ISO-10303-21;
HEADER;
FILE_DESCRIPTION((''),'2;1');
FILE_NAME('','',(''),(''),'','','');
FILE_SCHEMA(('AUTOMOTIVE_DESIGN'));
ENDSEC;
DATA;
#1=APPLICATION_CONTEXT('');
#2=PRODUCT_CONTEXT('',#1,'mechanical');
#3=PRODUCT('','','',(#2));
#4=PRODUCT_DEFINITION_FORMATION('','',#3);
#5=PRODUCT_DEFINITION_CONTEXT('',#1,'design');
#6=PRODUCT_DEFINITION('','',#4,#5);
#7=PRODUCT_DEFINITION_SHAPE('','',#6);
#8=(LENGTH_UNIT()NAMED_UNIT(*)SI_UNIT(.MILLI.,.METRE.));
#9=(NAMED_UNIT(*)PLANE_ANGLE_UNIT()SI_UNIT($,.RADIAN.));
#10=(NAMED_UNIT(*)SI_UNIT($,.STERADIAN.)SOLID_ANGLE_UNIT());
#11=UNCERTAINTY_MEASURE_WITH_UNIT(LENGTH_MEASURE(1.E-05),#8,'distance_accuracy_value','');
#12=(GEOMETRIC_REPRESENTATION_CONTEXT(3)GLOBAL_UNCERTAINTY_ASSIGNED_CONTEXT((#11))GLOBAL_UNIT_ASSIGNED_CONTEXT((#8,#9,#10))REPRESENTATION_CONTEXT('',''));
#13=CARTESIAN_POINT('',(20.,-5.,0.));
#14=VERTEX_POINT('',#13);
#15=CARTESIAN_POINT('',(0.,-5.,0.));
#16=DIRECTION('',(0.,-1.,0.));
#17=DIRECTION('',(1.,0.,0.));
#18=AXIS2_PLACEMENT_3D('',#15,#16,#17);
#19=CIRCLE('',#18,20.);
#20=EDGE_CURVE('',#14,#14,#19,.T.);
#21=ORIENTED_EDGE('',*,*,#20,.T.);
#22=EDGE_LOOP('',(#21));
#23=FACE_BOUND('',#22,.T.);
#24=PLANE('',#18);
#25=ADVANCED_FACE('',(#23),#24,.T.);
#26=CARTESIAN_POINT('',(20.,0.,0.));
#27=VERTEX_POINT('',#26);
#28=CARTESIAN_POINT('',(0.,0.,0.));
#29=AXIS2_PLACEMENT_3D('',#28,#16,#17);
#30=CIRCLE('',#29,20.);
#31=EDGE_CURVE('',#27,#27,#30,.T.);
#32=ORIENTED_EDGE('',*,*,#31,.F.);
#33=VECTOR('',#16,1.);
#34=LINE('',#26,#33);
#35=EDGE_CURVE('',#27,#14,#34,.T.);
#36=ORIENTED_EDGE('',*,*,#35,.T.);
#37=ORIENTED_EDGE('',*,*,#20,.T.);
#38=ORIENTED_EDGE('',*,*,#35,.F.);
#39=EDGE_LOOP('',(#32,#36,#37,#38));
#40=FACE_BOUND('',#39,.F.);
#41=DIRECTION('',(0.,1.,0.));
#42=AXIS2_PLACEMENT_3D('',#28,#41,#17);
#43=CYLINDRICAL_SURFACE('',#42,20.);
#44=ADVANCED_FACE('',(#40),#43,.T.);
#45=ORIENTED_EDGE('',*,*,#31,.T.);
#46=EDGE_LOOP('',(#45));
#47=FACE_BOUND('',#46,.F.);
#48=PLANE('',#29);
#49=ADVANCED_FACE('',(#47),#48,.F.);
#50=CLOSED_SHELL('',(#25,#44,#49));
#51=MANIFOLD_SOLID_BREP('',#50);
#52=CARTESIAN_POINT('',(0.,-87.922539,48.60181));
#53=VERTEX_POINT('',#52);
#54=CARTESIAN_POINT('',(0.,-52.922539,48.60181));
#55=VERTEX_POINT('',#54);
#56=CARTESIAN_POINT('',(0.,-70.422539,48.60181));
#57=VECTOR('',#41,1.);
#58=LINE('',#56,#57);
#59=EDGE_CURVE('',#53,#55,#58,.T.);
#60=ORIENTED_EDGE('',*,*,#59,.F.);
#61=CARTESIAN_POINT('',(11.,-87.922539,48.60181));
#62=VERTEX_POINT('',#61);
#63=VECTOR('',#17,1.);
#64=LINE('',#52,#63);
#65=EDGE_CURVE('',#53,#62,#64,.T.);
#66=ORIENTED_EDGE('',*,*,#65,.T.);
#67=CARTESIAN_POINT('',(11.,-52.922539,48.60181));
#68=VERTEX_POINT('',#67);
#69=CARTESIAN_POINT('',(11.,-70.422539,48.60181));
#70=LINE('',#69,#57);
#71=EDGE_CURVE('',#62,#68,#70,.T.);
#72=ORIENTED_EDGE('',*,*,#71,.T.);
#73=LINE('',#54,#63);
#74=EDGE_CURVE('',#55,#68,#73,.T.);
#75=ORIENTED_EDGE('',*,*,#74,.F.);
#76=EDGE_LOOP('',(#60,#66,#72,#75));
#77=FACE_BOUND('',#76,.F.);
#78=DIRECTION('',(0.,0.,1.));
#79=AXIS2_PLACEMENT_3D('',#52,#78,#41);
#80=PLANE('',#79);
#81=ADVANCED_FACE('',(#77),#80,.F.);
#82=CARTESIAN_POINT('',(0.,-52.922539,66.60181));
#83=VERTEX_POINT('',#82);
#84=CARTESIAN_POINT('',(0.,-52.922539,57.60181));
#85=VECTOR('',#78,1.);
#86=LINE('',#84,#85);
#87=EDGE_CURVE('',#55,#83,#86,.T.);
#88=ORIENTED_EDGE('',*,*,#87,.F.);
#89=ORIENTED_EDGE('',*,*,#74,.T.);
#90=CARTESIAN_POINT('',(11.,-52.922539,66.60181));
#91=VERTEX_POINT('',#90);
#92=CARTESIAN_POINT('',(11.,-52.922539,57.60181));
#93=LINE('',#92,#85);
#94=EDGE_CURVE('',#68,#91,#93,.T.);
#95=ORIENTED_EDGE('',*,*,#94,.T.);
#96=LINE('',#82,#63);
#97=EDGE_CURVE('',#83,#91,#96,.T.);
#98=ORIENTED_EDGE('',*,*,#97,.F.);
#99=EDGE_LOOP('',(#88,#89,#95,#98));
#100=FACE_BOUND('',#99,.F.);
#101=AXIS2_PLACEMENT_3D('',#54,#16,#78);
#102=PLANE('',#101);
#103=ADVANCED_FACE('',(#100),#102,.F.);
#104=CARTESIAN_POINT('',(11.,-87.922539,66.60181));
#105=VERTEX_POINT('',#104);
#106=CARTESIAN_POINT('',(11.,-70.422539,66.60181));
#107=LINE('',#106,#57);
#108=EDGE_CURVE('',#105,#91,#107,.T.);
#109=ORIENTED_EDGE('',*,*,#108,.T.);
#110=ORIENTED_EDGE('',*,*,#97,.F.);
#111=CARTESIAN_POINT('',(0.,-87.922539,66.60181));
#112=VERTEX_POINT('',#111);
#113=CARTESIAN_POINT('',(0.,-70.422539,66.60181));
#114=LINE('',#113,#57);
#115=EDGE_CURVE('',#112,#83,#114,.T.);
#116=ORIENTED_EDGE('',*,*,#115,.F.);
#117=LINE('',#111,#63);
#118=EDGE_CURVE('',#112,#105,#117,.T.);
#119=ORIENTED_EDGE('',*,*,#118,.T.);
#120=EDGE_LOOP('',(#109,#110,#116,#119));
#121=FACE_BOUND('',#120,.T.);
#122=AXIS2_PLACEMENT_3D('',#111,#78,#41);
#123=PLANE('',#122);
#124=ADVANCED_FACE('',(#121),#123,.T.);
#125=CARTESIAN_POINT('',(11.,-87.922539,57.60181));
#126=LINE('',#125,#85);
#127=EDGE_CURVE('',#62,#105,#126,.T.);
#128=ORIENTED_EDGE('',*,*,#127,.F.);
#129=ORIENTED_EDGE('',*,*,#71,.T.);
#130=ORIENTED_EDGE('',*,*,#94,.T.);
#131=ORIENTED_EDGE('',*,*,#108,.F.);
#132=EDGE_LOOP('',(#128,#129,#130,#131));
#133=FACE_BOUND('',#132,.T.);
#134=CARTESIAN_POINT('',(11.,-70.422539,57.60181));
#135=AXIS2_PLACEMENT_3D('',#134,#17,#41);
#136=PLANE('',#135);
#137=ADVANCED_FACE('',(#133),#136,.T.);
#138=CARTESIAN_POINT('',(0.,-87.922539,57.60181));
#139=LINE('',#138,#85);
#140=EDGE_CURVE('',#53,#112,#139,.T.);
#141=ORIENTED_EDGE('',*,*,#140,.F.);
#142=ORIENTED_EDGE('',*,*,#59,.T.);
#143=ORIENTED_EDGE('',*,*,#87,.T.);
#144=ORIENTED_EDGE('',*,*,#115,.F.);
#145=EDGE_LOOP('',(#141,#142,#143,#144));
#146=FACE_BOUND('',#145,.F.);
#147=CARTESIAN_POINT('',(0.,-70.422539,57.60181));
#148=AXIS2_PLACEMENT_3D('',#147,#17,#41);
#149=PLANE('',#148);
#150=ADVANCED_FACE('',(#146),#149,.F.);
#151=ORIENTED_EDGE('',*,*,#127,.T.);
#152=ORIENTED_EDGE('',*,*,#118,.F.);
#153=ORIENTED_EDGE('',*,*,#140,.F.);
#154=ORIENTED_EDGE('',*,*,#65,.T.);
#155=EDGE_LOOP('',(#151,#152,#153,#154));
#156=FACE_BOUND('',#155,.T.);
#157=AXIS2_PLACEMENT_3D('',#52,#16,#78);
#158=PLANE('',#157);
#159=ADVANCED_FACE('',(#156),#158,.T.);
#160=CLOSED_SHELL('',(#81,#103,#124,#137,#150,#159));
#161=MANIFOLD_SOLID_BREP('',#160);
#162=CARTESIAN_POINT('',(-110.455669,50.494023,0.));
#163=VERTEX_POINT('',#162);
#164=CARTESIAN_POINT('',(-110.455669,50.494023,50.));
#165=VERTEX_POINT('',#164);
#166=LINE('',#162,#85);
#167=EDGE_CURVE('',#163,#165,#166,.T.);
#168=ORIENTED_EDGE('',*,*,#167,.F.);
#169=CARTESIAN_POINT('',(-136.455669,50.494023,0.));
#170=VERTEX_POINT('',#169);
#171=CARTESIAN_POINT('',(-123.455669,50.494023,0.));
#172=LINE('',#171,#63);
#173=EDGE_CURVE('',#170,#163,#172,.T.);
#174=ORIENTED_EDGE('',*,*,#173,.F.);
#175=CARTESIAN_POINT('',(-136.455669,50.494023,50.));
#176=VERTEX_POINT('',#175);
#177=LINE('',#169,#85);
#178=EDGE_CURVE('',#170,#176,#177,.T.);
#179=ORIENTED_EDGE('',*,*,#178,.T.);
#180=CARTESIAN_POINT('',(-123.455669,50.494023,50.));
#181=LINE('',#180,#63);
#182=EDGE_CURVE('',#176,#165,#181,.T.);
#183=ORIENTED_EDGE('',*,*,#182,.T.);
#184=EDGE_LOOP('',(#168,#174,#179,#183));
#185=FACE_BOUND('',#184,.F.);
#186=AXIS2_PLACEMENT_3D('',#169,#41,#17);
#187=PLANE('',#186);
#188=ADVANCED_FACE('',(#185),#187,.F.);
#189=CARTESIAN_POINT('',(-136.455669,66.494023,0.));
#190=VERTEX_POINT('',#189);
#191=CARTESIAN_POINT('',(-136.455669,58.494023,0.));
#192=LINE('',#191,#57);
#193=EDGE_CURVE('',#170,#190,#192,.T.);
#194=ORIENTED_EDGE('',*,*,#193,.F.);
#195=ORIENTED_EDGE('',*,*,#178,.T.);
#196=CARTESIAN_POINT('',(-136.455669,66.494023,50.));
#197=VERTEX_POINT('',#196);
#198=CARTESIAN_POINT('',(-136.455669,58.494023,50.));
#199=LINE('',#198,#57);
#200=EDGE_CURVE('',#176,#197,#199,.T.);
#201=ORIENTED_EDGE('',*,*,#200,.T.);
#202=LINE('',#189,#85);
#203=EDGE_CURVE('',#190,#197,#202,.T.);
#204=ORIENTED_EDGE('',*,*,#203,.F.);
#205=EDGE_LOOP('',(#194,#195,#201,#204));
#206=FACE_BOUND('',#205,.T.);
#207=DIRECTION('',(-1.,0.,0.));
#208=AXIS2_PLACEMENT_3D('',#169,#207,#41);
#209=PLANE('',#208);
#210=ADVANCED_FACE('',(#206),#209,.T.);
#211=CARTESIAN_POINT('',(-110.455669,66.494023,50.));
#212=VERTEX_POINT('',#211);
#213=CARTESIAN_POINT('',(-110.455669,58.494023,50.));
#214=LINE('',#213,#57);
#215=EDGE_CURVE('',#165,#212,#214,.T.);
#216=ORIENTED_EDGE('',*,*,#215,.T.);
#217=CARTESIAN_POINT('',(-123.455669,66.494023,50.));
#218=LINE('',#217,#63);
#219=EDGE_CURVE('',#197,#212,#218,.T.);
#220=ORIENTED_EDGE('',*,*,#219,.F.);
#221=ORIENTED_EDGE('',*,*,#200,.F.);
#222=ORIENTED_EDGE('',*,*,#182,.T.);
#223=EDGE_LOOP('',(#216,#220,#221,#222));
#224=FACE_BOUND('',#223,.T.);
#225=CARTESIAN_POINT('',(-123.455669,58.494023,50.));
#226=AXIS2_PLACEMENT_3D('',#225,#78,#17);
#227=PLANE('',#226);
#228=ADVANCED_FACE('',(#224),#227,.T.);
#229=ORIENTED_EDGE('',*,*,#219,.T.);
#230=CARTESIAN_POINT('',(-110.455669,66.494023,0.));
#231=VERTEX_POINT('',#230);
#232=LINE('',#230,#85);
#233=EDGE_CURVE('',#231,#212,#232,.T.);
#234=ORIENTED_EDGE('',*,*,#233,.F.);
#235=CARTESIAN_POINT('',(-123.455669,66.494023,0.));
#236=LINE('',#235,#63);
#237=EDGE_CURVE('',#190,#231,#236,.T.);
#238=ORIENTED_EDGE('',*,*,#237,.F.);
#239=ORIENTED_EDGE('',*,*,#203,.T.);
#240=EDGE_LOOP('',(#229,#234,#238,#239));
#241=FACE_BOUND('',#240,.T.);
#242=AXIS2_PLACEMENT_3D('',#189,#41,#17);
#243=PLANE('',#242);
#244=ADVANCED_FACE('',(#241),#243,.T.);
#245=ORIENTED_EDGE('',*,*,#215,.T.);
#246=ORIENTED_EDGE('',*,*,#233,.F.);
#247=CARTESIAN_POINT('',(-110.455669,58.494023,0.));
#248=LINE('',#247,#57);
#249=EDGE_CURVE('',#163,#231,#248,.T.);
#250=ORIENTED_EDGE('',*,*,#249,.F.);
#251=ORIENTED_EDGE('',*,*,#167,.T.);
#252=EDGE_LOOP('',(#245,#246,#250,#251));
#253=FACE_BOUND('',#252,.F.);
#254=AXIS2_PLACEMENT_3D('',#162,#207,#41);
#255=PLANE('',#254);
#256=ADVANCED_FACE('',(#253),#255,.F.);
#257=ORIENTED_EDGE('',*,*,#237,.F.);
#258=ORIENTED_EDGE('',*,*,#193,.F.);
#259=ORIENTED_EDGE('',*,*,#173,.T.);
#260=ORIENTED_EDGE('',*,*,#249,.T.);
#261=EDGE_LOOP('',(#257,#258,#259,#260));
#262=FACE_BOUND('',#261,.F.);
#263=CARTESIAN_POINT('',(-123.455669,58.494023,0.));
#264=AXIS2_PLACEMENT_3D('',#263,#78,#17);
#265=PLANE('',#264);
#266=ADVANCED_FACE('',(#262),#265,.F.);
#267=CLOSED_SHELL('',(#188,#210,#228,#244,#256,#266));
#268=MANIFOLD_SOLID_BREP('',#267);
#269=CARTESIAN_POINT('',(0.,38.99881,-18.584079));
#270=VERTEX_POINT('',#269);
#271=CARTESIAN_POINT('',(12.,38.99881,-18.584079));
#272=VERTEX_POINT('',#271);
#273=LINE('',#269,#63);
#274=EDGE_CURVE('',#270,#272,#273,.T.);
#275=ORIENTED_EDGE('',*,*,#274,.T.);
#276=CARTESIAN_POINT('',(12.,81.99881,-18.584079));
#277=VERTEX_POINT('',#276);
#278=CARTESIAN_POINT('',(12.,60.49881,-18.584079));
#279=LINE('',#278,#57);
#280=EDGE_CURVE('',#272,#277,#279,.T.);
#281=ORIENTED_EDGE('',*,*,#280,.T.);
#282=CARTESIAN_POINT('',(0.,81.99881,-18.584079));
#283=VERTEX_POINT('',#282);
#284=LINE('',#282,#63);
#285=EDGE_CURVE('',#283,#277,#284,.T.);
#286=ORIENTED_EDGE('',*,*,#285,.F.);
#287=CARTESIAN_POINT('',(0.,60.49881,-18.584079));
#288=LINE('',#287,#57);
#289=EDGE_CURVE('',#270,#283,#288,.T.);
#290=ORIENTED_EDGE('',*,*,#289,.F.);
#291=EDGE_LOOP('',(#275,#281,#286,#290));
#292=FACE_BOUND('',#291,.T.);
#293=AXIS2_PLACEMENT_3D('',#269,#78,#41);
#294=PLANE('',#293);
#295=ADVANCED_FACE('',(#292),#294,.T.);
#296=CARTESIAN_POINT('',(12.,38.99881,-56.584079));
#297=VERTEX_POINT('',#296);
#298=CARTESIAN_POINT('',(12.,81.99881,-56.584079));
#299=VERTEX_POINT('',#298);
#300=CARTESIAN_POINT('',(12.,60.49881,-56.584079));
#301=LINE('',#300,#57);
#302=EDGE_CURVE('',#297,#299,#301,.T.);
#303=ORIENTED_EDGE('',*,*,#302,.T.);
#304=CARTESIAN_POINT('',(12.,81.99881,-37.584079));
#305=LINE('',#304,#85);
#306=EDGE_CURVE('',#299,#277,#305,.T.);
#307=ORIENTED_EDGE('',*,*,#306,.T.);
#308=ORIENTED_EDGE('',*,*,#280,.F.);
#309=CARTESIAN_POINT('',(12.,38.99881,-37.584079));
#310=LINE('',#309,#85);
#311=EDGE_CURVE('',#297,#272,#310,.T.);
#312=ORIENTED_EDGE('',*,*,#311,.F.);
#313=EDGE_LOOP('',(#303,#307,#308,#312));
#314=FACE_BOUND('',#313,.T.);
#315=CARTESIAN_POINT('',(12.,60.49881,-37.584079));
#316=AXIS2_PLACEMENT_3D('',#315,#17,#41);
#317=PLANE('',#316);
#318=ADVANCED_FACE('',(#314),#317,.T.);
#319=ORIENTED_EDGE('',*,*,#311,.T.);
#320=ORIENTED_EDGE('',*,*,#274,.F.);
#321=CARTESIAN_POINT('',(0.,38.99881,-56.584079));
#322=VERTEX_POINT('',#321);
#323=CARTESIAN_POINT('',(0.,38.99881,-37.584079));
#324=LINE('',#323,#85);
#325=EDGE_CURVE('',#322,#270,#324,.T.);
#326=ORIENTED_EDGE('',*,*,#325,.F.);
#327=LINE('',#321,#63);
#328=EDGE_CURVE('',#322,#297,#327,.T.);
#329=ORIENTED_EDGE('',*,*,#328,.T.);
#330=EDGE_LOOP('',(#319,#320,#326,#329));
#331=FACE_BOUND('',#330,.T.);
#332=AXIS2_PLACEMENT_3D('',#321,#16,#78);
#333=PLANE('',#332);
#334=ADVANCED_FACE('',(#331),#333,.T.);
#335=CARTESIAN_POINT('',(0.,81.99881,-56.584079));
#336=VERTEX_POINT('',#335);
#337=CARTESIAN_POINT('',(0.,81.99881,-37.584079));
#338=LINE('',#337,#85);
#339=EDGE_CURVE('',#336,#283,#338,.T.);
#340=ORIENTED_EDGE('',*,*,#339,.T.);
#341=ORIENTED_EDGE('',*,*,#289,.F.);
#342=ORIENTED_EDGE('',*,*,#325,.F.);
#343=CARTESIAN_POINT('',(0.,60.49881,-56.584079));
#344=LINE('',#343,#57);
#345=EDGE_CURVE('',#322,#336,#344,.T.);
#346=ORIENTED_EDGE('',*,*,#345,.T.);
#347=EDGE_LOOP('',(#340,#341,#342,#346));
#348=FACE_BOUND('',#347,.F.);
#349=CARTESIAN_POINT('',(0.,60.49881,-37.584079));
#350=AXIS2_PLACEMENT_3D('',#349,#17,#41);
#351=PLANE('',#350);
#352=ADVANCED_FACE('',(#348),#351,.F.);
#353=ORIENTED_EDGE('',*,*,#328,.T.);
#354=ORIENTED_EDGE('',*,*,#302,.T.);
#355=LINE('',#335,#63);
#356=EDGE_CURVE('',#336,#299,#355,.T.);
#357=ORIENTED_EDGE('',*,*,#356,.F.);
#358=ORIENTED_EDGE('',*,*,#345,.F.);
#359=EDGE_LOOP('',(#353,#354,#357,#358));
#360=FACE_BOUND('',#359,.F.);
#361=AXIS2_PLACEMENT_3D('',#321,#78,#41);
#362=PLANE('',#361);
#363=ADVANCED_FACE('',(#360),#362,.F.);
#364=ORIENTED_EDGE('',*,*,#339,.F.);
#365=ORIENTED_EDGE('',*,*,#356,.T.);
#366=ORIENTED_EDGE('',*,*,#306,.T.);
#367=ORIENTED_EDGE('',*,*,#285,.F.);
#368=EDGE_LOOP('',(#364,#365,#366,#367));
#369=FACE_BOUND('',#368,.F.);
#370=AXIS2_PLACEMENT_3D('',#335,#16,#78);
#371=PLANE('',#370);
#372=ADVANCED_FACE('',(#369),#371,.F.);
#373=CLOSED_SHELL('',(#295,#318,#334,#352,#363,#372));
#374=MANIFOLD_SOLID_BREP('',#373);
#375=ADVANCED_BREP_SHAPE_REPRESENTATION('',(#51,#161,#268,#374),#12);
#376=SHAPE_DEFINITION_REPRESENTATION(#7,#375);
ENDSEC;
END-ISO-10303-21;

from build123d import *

# Parameters (mm, degrees)
F0_W     = 26
F0_H     = 16
F1_DEPTH = 50
F2_R     = 20
F3_DEPTH = 5
F4_W     = 43
F4_H     = 38
F5_DEPTH = 12
F6_W     = 35
F6_H     = 18
F7_DEPTH = 11


with BuildPart() as f1:
    # F0 (on Top) → F1 (new body)
    with BuildSketch(Plane.XY):
        with Locations((-123.455669, 58.494023)):
            Rectangle(F0_W, F0_H)
    extrude(amount=F1_DEPTH)


with BuildPart() as f3:
    # F2 (on Front) → F3 (new body)
    with BuildSketch(Plane.XZ):
        Circle(F2_R)
    extrude(amount=F3_DEPTH)


with BuildPart() as f5:
    # F4 (on Right) → F5 (new body)
    with BuildSketch(Plane.YZ):
        with Locations((60.49881, -37.584079)):
            Rectangle(F4_W, F4_H)
    extrude(amount=F5_DEPTH)


with BuildPart() as f7:
    # F6 (on Right) → F7 (new body)
    with BuildSketch(Plane.YZ):
        with Locations((-70.422539, 57.60181)):
            Rectangle(F6_W, F6_H)
    extrude(amount=F7_DEPTH)


solid = Compound([f1.part, f3.part, f5.part, f7.part])
